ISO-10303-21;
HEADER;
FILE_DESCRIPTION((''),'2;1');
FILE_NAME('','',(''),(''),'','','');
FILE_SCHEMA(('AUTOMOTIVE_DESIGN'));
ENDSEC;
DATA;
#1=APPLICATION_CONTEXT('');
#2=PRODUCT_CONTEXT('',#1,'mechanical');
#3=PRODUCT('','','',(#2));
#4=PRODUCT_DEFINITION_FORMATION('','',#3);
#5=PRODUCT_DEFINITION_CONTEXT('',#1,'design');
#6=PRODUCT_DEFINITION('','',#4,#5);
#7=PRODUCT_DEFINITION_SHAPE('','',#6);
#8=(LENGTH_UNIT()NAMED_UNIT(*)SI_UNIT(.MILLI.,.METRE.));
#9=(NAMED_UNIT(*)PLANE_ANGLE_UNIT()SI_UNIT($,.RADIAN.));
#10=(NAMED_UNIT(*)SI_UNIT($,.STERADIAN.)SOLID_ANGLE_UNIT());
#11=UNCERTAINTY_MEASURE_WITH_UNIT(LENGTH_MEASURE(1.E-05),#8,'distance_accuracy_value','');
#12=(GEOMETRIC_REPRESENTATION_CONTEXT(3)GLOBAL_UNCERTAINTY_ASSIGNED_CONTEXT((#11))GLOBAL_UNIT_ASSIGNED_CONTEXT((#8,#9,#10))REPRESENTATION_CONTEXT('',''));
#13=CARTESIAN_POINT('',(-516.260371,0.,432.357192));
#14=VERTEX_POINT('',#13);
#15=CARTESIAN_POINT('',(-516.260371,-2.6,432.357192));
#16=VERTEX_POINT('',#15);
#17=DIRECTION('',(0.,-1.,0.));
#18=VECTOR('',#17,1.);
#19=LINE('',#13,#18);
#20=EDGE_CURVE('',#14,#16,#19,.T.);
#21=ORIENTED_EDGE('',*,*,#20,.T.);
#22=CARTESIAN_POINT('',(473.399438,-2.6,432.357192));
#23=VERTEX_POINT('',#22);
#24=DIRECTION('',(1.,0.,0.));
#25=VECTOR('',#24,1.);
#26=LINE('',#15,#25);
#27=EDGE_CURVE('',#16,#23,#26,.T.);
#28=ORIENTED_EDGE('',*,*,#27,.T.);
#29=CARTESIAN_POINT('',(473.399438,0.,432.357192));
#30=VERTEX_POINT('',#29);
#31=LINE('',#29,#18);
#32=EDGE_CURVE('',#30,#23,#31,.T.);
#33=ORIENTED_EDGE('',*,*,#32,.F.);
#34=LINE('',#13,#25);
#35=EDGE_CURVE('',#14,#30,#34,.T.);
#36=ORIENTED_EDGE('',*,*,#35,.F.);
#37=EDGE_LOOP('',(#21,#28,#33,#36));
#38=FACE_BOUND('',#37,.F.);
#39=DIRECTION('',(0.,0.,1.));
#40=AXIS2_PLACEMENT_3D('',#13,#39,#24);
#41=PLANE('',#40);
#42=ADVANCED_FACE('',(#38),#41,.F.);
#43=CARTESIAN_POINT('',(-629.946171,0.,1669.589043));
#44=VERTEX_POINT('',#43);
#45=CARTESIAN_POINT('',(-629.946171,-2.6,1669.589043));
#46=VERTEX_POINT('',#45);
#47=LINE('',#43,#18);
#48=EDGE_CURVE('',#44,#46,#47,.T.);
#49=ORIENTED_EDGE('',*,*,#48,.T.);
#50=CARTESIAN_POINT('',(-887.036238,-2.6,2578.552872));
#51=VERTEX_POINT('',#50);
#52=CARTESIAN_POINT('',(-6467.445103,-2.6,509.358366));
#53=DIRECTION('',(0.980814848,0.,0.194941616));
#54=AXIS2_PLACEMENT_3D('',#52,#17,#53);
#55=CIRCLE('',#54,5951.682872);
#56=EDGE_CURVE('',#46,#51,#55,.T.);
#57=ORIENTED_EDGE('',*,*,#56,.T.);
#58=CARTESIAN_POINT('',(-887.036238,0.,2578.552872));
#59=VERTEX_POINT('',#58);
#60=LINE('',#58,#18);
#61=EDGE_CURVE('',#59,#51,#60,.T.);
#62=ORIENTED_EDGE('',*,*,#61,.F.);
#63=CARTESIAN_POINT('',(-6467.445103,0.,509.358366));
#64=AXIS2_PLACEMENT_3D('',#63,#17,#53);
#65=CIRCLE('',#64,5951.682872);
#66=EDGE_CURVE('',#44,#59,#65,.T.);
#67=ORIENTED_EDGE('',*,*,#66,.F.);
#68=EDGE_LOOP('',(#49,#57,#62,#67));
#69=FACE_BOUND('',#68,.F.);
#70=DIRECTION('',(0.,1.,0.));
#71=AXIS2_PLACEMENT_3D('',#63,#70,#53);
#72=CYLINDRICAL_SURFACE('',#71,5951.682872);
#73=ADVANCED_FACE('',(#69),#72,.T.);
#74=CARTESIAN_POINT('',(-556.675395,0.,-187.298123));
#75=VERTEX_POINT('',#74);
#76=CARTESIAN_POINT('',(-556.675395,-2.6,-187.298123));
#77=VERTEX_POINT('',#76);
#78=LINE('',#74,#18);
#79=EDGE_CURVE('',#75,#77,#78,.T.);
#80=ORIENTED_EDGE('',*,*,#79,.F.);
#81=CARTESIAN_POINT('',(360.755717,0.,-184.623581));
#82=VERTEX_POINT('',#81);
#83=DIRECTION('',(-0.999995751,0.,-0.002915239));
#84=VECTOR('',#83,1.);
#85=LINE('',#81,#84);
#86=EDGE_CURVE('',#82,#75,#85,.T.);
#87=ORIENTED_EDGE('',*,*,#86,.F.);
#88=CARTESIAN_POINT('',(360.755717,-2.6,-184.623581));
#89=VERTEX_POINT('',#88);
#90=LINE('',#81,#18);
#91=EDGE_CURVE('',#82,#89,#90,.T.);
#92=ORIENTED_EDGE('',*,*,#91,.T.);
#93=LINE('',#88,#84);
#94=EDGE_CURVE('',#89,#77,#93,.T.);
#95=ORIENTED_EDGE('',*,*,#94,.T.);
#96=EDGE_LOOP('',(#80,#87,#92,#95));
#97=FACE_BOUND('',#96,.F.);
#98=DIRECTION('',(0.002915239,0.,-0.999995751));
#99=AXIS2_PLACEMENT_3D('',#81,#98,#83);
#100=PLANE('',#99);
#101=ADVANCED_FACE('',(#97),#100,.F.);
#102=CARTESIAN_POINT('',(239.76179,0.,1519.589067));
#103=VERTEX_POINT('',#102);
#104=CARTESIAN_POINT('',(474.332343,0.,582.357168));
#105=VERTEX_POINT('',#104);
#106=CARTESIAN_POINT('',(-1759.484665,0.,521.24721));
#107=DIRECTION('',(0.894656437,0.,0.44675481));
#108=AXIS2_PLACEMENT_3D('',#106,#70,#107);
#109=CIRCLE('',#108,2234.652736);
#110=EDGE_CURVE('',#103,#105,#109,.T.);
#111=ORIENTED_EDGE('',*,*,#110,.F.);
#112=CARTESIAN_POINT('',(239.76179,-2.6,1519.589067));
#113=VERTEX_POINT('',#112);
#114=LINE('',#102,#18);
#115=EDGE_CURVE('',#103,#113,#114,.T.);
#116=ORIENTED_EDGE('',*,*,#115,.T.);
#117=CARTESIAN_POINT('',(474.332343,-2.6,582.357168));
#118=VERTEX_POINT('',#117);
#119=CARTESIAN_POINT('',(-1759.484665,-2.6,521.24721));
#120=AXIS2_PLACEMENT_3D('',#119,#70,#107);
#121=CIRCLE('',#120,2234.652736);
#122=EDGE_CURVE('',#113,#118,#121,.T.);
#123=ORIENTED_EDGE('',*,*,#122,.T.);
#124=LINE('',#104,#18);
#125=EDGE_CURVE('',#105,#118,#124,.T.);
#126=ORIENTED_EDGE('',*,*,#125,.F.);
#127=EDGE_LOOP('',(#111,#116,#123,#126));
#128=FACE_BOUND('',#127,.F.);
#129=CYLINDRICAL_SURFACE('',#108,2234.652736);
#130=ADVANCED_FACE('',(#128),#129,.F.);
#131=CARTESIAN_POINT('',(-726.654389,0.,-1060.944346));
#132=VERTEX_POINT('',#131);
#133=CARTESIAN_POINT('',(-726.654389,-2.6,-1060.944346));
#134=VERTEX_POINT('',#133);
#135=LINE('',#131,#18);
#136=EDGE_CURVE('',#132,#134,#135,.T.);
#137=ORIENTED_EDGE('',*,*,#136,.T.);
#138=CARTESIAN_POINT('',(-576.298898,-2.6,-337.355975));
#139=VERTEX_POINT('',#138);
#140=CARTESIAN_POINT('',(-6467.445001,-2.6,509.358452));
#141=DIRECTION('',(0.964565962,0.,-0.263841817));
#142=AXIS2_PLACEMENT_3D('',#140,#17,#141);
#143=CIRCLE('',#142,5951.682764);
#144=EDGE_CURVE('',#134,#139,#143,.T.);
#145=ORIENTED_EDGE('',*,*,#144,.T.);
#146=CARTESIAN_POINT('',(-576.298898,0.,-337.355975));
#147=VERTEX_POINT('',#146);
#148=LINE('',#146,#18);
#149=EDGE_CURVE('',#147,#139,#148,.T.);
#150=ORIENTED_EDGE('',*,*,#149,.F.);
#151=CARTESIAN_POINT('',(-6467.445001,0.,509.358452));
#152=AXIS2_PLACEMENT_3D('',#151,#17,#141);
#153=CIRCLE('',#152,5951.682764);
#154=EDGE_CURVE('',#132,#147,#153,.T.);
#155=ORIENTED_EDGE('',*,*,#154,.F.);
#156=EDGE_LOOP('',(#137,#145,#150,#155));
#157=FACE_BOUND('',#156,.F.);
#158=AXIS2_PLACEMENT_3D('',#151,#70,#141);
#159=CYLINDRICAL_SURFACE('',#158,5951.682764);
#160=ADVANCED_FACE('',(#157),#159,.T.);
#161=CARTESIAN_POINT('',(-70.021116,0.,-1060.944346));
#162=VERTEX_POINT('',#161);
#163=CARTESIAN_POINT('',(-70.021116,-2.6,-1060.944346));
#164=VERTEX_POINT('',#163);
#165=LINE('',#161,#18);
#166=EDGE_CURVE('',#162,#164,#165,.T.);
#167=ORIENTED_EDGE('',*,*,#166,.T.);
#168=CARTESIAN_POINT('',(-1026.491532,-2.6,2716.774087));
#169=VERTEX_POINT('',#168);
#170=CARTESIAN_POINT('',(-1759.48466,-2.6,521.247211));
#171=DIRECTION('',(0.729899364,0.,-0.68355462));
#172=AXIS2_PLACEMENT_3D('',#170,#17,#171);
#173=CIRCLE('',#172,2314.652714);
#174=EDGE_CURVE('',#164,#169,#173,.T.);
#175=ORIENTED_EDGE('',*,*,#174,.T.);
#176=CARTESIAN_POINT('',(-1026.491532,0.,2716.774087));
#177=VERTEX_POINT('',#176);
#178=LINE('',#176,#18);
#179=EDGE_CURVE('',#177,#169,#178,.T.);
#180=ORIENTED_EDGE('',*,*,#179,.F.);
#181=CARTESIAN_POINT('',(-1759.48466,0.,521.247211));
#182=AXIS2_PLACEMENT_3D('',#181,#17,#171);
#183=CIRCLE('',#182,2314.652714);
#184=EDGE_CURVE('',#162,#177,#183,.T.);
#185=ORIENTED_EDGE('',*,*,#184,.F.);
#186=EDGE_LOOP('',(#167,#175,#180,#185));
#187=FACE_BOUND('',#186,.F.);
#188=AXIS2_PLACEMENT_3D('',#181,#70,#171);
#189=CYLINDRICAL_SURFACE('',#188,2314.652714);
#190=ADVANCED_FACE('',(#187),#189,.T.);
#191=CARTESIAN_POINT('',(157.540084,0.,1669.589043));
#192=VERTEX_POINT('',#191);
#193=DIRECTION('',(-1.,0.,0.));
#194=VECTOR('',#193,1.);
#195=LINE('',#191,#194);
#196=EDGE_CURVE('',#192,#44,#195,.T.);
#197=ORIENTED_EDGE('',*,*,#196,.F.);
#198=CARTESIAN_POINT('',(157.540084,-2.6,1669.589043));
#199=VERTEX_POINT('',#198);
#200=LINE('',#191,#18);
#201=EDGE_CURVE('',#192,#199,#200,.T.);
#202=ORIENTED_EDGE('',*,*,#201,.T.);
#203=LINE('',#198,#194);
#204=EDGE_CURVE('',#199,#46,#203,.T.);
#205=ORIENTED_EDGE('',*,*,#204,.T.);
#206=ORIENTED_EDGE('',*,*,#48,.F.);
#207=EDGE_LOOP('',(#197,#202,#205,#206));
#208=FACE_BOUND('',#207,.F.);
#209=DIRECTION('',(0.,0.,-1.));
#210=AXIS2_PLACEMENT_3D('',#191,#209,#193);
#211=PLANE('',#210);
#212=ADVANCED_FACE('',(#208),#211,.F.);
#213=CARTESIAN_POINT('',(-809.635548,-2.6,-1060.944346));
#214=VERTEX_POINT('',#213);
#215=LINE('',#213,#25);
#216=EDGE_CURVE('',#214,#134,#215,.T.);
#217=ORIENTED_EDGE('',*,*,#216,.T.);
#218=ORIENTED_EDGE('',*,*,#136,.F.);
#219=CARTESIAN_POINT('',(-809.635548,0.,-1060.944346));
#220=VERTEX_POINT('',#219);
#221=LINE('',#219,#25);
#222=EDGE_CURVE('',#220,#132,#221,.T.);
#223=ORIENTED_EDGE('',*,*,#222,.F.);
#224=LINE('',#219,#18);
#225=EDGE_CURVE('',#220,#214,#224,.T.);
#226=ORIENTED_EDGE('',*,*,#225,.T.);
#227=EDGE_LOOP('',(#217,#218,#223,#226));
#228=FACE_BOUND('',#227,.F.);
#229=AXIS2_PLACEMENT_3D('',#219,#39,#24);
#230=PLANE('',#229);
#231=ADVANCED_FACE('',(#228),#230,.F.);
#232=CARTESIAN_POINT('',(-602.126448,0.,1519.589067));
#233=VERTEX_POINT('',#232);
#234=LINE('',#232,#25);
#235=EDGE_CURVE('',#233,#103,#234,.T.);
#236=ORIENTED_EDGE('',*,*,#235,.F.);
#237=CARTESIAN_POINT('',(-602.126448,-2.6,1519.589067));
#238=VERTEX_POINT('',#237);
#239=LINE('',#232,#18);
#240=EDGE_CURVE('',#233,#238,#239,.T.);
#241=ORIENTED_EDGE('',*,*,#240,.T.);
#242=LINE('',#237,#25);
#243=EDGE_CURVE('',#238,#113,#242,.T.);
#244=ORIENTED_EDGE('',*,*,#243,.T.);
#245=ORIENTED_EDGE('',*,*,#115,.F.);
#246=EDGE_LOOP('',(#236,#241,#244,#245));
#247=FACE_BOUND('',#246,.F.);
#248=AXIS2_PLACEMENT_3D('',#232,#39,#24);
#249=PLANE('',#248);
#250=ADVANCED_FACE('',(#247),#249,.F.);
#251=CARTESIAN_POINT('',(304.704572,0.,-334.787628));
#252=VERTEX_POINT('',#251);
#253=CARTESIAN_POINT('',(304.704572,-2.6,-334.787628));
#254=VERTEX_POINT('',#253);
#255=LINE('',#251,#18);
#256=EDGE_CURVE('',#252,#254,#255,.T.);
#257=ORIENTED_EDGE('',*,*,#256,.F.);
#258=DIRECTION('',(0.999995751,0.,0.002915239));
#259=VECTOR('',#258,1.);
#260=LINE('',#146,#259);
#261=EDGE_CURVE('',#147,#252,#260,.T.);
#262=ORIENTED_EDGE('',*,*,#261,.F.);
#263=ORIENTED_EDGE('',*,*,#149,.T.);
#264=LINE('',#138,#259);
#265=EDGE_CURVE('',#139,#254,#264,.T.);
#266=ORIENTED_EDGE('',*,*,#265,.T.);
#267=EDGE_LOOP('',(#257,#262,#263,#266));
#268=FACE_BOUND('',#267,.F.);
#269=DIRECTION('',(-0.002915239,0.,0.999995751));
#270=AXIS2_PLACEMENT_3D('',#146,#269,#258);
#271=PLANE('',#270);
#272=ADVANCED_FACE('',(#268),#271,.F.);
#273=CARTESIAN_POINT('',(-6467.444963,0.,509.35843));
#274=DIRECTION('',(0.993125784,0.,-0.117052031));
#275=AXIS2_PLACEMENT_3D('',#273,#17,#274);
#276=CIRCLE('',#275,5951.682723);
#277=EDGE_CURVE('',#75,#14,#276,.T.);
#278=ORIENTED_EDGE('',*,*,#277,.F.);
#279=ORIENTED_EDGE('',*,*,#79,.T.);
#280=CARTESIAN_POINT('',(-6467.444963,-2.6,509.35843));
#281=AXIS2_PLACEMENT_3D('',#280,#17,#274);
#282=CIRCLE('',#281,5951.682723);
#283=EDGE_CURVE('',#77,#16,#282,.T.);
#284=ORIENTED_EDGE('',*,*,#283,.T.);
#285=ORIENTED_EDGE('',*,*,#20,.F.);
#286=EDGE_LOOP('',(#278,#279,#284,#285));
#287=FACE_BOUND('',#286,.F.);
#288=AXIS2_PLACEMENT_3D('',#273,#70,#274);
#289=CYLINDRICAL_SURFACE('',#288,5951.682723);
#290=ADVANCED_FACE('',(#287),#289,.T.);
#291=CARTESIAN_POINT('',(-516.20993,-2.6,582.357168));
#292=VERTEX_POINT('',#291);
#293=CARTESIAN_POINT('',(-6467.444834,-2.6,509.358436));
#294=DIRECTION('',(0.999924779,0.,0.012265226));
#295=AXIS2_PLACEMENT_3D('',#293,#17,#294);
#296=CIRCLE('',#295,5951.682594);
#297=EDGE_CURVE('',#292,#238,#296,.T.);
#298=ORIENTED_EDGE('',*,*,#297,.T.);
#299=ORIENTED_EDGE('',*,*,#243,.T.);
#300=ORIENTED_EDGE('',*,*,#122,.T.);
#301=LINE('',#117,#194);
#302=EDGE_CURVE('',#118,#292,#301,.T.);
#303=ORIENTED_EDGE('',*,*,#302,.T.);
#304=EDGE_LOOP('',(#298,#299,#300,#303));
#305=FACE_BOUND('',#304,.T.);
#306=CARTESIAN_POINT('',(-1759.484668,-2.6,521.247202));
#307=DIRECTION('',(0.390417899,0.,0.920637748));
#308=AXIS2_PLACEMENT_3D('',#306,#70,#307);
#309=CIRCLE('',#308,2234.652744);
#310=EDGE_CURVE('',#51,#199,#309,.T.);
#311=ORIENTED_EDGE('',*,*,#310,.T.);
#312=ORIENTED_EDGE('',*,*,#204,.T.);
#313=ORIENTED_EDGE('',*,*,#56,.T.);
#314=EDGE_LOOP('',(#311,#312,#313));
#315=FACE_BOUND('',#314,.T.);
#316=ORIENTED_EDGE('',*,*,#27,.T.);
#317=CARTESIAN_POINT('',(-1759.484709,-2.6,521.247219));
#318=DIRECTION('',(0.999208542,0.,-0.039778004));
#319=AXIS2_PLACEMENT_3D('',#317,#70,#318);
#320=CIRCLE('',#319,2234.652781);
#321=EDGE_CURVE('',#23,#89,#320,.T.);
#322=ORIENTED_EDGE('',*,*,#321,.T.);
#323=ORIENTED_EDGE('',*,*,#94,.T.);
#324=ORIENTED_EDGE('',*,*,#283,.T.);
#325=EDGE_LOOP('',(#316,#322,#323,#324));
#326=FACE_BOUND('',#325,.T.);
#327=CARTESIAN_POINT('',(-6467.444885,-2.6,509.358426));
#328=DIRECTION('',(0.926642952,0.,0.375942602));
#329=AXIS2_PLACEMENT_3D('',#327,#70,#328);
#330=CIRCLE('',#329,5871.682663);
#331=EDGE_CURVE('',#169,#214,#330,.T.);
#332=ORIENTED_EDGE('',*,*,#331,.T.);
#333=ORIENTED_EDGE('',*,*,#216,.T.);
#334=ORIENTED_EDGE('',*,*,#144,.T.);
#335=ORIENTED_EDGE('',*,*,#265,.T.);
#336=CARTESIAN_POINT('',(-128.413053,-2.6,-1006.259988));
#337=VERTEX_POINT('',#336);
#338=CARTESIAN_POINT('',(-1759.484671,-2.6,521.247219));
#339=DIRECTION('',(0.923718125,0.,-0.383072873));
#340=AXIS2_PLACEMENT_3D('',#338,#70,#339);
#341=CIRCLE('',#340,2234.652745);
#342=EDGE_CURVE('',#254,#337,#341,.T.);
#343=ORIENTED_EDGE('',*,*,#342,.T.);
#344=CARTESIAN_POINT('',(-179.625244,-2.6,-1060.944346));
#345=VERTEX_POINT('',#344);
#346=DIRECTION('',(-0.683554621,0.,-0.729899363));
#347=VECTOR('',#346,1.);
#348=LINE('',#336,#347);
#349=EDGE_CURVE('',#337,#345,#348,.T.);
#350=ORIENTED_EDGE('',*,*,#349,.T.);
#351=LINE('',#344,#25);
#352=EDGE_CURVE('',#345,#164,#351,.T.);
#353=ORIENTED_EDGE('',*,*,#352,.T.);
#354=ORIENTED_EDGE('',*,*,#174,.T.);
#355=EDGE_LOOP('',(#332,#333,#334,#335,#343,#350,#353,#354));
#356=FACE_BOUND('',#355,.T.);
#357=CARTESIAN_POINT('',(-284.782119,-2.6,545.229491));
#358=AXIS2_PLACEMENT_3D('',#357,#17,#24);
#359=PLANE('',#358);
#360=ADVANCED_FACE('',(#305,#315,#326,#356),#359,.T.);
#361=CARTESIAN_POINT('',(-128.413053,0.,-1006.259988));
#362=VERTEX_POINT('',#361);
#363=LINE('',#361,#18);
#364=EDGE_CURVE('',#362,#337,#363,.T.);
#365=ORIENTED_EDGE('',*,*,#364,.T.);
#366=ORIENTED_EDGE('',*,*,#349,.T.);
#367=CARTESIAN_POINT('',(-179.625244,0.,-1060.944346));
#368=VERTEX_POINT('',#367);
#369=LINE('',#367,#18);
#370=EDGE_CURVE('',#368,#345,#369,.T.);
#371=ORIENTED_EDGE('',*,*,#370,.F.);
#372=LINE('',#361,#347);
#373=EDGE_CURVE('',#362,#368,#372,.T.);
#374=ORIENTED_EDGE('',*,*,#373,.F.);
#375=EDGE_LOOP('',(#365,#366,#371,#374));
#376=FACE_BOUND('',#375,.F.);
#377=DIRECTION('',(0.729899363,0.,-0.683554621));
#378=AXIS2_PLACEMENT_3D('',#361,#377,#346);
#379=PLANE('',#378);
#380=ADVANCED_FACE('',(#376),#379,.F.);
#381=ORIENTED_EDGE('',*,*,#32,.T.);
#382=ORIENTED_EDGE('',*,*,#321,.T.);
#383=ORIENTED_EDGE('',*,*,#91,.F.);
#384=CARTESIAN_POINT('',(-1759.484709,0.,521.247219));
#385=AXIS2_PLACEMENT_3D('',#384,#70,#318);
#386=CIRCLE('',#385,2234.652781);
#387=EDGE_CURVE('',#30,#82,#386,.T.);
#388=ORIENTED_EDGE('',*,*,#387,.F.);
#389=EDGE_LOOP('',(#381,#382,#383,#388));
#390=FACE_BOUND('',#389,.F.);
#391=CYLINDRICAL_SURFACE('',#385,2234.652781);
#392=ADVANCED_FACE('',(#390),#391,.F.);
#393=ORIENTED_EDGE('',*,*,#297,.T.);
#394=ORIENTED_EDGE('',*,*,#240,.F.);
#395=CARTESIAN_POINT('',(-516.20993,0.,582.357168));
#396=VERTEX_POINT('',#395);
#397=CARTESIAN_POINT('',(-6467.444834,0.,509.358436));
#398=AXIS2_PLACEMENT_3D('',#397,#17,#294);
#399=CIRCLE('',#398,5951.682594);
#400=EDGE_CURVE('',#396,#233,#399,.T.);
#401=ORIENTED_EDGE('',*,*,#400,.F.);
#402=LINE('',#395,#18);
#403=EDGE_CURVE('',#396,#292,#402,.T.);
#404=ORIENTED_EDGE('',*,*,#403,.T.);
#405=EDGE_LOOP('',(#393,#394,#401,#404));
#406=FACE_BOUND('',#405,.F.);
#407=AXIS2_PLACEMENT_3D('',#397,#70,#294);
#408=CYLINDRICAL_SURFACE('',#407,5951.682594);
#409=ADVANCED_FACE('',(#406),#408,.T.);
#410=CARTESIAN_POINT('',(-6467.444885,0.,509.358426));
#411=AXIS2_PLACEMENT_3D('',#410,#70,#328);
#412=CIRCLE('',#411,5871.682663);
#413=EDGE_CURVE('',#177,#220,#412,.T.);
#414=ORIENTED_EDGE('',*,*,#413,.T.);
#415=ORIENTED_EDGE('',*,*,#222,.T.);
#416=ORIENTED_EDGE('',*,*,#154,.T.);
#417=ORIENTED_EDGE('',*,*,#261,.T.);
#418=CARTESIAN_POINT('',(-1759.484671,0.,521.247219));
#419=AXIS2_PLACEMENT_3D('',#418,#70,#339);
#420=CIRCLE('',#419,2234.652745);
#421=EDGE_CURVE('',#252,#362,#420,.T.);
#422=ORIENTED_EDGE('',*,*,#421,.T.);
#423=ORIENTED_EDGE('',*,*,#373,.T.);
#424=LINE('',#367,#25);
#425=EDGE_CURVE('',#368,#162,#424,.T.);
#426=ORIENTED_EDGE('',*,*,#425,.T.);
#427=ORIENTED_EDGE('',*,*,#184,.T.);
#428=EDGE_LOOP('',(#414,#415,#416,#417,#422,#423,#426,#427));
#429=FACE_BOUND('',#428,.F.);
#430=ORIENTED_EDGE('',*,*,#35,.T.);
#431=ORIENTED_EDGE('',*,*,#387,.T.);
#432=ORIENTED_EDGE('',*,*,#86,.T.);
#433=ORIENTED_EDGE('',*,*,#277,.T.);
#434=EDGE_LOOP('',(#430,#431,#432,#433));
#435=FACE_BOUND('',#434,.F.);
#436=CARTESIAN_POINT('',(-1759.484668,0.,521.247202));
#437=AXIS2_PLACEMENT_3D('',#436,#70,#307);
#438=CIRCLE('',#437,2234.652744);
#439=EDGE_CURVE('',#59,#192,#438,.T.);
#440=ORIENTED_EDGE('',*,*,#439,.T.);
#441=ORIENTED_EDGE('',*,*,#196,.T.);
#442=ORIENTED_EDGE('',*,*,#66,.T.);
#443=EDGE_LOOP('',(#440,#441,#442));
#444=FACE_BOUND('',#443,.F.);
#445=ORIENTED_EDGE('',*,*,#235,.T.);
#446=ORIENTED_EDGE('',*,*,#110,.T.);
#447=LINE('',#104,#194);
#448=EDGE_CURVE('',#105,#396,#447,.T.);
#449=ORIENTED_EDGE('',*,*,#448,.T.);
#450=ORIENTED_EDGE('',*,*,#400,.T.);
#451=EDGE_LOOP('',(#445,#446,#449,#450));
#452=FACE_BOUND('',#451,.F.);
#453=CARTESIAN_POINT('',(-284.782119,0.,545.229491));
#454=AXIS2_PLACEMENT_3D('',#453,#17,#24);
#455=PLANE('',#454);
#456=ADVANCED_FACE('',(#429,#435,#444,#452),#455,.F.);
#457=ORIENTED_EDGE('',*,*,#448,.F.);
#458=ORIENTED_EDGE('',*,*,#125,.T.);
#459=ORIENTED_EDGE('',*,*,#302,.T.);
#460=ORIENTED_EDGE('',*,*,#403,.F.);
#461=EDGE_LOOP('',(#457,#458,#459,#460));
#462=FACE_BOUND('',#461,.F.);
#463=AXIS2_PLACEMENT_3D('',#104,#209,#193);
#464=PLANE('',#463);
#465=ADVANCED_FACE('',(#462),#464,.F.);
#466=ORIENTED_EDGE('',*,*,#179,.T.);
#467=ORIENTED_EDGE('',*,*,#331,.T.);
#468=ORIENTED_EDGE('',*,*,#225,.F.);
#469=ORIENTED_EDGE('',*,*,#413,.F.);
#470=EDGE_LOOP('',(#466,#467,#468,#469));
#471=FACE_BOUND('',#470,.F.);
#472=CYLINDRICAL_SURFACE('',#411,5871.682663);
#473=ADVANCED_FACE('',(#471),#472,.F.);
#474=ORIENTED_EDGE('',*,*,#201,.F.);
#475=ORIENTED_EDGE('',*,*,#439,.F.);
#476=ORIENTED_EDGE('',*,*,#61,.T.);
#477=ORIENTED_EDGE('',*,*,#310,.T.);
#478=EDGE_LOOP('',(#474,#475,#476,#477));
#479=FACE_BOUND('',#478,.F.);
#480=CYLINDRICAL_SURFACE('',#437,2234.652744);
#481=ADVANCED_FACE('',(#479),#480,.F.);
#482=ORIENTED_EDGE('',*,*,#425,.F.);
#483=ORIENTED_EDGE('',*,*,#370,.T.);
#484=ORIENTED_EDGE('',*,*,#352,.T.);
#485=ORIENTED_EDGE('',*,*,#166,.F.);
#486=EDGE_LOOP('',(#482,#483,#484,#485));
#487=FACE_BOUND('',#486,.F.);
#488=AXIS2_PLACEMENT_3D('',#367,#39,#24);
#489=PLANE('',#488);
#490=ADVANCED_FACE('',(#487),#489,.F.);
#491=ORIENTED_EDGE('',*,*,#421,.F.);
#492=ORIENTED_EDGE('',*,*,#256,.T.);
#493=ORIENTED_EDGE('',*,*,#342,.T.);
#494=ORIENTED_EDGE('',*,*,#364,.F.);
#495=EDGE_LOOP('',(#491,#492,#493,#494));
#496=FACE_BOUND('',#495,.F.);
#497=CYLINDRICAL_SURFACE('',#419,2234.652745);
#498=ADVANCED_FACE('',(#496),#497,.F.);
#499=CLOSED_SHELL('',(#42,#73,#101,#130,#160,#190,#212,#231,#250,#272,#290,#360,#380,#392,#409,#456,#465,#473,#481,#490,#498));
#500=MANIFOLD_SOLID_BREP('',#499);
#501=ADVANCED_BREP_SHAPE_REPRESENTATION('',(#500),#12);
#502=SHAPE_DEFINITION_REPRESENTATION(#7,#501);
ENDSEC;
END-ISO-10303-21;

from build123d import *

# Parameters (mm, degrees)
F1_DEPTH = 2.6


with BuildPart() as f1:
    # F0 (on Front) → F1 (new body)
    with BuildSketch(Plane.XZ):
        with BuildLine():
            ThreePointArc((-1026.491532, 2716.774087), (-605.412605, 845.862271), (-809.635548, -1060.944346))
            Line((-809.635548, -1060.944346), (-731.346246, -1060.944346))
            Line((-731.346246, -1060.944346), (-726.654389, -1060.944346))
            ThreePointArc((-726.654389, -1060.944346), (-640.234436, -701.486195), (-576.298898, -337.355975))
            Line((-576.298898, -337.355975), (304.704572, -334.787628))
            ThreePointArc((304.704572, -334.787628), (118.401638, -690.039659), (-128.413053, -1006.259988))
            Line((-128.413053, -1006.259988), (-179.625244, -1060.944346))
            Line((-179.625244, -1060.944346), (-175.000856, -1060.944346))
            Line((-175.000856, -1060.944346), (-70.021116, -1060.944346))
            ThreePointArc((-70.021116, -1060.944346), (484.365429, 1089.361608), (-1026.491532, 2716.774087))
        make_face()
        with BuildLine():
            Line((360.755717, -184.623581), (-556.675395, -187.298123))
            ThreePointArc((-556.675395, -187.298123), (-528.38087, 122.002085), (-516.260371, 432.357192))
            Line((-516.260371, 432.357192), (473.399438, 432.357192))
            ThreePointArc((473.399438, 432.357192), (438.830488, 119.895322), (360.755717, -184.623581))
        make_face(mode=Mode.SUBTRACT)
        with BuildLine():
            ThreePointArc((-887.036238, 2578.552872), (-292.568185, 2207.0197), (157.540084, 1669.589043))
            Line((157.540084, 1669.589043), (-629.946171, 1669.589043))
            ThreePointArc((-629.946171, 1669.589043), (-740.429438, 2129.179522), (-887.036238, 2578.552872))
        make_face(mode=Mode.SUBTRACT)
        with BuildLine():
            Line((474.332343, 582.357168), (-516.20993, 582.357168))
            ThreePointArc((-516.20993, 582.357168), (-540.613149, 1052.674067), (-602.126448, 1519.589067))
            Line((-602.126448, 1519.589067), (239.76179, 1519.589067))
            ThreePointArc((239.76179, 1519.589067), (408.30395, 1063.801698), (474.332343, 582.357168))
        make_face(mode=Mode.SUBTRACT)
    extrude(amount=F1_DEPTH)


solid = f1.part
